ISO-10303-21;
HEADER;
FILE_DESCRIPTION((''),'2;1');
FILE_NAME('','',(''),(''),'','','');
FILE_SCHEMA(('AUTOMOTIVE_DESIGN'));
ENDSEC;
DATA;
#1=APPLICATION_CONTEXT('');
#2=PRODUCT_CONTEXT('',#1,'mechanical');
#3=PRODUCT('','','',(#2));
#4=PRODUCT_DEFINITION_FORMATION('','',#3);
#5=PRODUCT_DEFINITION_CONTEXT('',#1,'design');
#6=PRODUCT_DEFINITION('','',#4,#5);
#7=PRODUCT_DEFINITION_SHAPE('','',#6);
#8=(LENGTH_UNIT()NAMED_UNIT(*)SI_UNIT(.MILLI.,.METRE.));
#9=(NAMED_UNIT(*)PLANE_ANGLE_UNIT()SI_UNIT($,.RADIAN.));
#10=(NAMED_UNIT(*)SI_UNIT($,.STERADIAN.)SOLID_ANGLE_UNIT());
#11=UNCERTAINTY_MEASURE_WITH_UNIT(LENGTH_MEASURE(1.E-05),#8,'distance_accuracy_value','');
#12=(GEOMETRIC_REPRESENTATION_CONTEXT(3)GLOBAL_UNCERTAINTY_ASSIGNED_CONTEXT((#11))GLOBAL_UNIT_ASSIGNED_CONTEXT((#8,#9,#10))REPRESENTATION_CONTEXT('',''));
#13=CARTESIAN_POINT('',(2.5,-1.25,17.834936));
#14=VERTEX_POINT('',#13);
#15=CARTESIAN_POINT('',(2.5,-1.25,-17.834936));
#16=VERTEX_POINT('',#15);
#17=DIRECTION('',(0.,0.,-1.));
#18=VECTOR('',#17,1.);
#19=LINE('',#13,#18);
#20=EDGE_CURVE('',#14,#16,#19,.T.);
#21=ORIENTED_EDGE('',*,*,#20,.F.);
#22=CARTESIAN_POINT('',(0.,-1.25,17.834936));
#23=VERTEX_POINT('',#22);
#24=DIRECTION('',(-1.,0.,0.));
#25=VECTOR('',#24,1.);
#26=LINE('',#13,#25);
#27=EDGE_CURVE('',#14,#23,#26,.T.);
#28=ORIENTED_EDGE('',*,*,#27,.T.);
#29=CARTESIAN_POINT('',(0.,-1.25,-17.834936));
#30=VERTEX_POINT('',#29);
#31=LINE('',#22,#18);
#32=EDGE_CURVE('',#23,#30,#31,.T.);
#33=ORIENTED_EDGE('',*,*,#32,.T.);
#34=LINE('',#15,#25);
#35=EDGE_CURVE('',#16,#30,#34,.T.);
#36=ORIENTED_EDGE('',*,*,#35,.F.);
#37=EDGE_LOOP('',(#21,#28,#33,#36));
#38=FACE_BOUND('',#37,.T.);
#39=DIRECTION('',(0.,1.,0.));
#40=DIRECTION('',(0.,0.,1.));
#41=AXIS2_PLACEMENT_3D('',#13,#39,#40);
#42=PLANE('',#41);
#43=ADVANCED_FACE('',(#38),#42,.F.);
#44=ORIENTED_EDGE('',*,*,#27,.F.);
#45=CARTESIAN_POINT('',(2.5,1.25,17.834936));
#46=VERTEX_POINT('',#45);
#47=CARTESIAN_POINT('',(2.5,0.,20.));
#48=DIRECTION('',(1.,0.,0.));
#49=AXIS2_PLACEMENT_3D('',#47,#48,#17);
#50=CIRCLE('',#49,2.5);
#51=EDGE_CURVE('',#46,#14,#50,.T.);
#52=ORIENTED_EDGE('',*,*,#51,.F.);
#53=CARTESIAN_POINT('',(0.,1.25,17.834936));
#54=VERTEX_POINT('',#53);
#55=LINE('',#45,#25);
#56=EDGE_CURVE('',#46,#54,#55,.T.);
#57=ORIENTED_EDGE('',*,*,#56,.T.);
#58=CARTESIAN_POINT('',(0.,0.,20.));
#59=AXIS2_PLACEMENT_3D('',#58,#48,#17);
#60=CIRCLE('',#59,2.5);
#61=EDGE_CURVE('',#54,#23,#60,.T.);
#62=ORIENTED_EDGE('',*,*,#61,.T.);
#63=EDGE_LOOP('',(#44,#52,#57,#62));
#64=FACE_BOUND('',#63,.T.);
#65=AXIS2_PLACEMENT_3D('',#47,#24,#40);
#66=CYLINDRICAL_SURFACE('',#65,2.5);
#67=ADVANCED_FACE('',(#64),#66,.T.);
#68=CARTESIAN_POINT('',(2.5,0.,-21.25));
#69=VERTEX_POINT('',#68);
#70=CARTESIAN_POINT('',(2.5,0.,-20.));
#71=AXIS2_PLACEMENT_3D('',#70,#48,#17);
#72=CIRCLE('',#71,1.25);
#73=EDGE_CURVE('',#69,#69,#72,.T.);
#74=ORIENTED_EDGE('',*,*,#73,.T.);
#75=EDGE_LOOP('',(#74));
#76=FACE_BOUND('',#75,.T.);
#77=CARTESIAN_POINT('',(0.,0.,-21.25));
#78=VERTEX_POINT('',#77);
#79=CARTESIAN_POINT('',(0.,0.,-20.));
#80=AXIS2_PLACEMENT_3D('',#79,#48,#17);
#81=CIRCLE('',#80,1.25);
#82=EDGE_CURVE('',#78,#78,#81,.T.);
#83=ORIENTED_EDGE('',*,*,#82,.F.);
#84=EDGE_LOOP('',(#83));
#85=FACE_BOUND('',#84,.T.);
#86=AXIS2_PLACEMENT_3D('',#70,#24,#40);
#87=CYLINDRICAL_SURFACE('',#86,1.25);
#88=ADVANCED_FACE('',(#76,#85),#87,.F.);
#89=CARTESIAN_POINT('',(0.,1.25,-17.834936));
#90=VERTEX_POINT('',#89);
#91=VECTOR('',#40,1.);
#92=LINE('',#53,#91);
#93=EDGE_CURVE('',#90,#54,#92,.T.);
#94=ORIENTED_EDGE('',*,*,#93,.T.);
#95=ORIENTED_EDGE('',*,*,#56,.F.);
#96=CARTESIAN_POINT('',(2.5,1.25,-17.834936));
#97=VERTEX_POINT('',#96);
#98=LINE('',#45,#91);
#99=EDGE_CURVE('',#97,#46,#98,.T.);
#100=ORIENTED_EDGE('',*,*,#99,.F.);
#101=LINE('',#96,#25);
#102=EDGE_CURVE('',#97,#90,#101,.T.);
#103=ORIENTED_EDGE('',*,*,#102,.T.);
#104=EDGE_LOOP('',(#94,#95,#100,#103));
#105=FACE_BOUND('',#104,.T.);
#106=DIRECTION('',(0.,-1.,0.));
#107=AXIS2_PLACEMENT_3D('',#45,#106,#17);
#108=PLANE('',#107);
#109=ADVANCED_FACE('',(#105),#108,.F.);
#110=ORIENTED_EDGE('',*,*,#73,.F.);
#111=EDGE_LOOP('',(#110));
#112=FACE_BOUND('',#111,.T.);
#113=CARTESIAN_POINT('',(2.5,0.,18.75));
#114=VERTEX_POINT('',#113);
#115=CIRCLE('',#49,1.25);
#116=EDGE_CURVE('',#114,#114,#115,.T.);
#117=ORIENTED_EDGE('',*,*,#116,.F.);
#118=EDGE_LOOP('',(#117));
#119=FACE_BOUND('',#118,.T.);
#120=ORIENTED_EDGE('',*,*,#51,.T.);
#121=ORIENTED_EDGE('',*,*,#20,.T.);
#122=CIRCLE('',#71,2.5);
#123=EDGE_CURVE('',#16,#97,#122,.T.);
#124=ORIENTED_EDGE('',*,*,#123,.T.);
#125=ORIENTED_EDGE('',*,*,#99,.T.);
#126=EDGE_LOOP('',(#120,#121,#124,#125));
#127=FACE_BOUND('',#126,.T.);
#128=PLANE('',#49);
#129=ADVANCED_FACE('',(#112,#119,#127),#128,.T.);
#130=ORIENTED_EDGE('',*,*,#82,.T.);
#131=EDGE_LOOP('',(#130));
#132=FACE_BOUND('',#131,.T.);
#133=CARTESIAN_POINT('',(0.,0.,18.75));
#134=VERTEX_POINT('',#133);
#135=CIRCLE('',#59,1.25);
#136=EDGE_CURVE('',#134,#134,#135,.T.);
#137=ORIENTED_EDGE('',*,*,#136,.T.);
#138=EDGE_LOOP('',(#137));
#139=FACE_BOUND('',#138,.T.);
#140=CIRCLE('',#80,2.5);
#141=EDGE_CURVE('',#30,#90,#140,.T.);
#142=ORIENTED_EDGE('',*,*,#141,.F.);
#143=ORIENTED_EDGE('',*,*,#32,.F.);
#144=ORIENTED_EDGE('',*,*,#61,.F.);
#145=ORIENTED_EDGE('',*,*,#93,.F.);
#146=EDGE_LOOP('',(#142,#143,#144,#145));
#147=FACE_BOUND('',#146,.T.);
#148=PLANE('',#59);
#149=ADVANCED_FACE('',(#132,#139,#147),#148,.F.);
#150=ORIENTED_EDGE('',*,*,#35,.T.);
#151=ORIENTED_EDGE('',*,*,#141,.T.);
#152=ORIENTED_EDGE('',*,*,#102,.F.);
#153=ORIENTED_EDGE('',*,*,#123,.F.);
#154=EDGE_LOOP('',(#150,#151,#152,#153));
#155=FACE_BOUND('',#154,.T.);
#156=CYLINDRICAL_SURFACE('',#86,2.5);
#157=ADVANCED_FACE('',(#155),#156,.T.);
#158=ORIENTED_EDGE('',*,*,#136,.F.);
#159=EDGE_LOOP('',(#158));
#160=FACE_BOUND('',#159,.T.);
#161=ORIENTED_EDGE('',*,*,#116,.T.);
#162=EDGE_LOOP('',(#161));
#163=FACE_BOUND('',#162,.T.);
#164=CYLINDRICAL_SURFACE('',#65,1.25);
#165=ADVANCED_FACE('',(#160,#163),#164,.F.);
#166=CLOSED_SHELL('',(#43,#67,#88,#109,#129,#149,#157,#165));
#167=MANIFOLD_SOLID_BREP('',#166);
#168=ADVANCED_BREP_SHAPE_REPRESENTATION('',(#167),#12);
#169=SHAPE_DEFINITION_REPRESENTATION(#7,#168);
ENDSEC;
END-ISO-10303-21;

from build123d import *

# Parameters (mm, degrees)
SKETCH_1_R      = 1.25
EXTRUDE_1_DEPTH = 2.5


with BuildPart() as part:
    # 스케치1 → 보스-돌출1 (new body)
    with BuildSketch(Plane(origin=(0, 0, 0), x_dir=(0, 0, -1), z_dir=(1, 0, 0))):
        with BuildLine():
            Line((-17.834936491, 1.25), (17.834936491, 1.25))
            ThreePointArc((17.834936491, 1.25), (22.5, 0), (17.834936491, -1.25))
            Line((17.834936491, -1.25), (-17.834936491, -1.25))
            ThreePointArc((-17.834936491, -1.25), (-22.5, 0), (-17.834936491, 1.25))
        make_face()
        with Locations((-20, 0)):
            Circle(SKETCH_1_R, mode=Mode.SUBTRACT)
        with Locations((20, 0)):
            Circle(SKETCH_1_R, mode=Mode.SUBTRACT)
    extrude(amount=EXTRUDE_1_DEPTH)


solid = part.part
